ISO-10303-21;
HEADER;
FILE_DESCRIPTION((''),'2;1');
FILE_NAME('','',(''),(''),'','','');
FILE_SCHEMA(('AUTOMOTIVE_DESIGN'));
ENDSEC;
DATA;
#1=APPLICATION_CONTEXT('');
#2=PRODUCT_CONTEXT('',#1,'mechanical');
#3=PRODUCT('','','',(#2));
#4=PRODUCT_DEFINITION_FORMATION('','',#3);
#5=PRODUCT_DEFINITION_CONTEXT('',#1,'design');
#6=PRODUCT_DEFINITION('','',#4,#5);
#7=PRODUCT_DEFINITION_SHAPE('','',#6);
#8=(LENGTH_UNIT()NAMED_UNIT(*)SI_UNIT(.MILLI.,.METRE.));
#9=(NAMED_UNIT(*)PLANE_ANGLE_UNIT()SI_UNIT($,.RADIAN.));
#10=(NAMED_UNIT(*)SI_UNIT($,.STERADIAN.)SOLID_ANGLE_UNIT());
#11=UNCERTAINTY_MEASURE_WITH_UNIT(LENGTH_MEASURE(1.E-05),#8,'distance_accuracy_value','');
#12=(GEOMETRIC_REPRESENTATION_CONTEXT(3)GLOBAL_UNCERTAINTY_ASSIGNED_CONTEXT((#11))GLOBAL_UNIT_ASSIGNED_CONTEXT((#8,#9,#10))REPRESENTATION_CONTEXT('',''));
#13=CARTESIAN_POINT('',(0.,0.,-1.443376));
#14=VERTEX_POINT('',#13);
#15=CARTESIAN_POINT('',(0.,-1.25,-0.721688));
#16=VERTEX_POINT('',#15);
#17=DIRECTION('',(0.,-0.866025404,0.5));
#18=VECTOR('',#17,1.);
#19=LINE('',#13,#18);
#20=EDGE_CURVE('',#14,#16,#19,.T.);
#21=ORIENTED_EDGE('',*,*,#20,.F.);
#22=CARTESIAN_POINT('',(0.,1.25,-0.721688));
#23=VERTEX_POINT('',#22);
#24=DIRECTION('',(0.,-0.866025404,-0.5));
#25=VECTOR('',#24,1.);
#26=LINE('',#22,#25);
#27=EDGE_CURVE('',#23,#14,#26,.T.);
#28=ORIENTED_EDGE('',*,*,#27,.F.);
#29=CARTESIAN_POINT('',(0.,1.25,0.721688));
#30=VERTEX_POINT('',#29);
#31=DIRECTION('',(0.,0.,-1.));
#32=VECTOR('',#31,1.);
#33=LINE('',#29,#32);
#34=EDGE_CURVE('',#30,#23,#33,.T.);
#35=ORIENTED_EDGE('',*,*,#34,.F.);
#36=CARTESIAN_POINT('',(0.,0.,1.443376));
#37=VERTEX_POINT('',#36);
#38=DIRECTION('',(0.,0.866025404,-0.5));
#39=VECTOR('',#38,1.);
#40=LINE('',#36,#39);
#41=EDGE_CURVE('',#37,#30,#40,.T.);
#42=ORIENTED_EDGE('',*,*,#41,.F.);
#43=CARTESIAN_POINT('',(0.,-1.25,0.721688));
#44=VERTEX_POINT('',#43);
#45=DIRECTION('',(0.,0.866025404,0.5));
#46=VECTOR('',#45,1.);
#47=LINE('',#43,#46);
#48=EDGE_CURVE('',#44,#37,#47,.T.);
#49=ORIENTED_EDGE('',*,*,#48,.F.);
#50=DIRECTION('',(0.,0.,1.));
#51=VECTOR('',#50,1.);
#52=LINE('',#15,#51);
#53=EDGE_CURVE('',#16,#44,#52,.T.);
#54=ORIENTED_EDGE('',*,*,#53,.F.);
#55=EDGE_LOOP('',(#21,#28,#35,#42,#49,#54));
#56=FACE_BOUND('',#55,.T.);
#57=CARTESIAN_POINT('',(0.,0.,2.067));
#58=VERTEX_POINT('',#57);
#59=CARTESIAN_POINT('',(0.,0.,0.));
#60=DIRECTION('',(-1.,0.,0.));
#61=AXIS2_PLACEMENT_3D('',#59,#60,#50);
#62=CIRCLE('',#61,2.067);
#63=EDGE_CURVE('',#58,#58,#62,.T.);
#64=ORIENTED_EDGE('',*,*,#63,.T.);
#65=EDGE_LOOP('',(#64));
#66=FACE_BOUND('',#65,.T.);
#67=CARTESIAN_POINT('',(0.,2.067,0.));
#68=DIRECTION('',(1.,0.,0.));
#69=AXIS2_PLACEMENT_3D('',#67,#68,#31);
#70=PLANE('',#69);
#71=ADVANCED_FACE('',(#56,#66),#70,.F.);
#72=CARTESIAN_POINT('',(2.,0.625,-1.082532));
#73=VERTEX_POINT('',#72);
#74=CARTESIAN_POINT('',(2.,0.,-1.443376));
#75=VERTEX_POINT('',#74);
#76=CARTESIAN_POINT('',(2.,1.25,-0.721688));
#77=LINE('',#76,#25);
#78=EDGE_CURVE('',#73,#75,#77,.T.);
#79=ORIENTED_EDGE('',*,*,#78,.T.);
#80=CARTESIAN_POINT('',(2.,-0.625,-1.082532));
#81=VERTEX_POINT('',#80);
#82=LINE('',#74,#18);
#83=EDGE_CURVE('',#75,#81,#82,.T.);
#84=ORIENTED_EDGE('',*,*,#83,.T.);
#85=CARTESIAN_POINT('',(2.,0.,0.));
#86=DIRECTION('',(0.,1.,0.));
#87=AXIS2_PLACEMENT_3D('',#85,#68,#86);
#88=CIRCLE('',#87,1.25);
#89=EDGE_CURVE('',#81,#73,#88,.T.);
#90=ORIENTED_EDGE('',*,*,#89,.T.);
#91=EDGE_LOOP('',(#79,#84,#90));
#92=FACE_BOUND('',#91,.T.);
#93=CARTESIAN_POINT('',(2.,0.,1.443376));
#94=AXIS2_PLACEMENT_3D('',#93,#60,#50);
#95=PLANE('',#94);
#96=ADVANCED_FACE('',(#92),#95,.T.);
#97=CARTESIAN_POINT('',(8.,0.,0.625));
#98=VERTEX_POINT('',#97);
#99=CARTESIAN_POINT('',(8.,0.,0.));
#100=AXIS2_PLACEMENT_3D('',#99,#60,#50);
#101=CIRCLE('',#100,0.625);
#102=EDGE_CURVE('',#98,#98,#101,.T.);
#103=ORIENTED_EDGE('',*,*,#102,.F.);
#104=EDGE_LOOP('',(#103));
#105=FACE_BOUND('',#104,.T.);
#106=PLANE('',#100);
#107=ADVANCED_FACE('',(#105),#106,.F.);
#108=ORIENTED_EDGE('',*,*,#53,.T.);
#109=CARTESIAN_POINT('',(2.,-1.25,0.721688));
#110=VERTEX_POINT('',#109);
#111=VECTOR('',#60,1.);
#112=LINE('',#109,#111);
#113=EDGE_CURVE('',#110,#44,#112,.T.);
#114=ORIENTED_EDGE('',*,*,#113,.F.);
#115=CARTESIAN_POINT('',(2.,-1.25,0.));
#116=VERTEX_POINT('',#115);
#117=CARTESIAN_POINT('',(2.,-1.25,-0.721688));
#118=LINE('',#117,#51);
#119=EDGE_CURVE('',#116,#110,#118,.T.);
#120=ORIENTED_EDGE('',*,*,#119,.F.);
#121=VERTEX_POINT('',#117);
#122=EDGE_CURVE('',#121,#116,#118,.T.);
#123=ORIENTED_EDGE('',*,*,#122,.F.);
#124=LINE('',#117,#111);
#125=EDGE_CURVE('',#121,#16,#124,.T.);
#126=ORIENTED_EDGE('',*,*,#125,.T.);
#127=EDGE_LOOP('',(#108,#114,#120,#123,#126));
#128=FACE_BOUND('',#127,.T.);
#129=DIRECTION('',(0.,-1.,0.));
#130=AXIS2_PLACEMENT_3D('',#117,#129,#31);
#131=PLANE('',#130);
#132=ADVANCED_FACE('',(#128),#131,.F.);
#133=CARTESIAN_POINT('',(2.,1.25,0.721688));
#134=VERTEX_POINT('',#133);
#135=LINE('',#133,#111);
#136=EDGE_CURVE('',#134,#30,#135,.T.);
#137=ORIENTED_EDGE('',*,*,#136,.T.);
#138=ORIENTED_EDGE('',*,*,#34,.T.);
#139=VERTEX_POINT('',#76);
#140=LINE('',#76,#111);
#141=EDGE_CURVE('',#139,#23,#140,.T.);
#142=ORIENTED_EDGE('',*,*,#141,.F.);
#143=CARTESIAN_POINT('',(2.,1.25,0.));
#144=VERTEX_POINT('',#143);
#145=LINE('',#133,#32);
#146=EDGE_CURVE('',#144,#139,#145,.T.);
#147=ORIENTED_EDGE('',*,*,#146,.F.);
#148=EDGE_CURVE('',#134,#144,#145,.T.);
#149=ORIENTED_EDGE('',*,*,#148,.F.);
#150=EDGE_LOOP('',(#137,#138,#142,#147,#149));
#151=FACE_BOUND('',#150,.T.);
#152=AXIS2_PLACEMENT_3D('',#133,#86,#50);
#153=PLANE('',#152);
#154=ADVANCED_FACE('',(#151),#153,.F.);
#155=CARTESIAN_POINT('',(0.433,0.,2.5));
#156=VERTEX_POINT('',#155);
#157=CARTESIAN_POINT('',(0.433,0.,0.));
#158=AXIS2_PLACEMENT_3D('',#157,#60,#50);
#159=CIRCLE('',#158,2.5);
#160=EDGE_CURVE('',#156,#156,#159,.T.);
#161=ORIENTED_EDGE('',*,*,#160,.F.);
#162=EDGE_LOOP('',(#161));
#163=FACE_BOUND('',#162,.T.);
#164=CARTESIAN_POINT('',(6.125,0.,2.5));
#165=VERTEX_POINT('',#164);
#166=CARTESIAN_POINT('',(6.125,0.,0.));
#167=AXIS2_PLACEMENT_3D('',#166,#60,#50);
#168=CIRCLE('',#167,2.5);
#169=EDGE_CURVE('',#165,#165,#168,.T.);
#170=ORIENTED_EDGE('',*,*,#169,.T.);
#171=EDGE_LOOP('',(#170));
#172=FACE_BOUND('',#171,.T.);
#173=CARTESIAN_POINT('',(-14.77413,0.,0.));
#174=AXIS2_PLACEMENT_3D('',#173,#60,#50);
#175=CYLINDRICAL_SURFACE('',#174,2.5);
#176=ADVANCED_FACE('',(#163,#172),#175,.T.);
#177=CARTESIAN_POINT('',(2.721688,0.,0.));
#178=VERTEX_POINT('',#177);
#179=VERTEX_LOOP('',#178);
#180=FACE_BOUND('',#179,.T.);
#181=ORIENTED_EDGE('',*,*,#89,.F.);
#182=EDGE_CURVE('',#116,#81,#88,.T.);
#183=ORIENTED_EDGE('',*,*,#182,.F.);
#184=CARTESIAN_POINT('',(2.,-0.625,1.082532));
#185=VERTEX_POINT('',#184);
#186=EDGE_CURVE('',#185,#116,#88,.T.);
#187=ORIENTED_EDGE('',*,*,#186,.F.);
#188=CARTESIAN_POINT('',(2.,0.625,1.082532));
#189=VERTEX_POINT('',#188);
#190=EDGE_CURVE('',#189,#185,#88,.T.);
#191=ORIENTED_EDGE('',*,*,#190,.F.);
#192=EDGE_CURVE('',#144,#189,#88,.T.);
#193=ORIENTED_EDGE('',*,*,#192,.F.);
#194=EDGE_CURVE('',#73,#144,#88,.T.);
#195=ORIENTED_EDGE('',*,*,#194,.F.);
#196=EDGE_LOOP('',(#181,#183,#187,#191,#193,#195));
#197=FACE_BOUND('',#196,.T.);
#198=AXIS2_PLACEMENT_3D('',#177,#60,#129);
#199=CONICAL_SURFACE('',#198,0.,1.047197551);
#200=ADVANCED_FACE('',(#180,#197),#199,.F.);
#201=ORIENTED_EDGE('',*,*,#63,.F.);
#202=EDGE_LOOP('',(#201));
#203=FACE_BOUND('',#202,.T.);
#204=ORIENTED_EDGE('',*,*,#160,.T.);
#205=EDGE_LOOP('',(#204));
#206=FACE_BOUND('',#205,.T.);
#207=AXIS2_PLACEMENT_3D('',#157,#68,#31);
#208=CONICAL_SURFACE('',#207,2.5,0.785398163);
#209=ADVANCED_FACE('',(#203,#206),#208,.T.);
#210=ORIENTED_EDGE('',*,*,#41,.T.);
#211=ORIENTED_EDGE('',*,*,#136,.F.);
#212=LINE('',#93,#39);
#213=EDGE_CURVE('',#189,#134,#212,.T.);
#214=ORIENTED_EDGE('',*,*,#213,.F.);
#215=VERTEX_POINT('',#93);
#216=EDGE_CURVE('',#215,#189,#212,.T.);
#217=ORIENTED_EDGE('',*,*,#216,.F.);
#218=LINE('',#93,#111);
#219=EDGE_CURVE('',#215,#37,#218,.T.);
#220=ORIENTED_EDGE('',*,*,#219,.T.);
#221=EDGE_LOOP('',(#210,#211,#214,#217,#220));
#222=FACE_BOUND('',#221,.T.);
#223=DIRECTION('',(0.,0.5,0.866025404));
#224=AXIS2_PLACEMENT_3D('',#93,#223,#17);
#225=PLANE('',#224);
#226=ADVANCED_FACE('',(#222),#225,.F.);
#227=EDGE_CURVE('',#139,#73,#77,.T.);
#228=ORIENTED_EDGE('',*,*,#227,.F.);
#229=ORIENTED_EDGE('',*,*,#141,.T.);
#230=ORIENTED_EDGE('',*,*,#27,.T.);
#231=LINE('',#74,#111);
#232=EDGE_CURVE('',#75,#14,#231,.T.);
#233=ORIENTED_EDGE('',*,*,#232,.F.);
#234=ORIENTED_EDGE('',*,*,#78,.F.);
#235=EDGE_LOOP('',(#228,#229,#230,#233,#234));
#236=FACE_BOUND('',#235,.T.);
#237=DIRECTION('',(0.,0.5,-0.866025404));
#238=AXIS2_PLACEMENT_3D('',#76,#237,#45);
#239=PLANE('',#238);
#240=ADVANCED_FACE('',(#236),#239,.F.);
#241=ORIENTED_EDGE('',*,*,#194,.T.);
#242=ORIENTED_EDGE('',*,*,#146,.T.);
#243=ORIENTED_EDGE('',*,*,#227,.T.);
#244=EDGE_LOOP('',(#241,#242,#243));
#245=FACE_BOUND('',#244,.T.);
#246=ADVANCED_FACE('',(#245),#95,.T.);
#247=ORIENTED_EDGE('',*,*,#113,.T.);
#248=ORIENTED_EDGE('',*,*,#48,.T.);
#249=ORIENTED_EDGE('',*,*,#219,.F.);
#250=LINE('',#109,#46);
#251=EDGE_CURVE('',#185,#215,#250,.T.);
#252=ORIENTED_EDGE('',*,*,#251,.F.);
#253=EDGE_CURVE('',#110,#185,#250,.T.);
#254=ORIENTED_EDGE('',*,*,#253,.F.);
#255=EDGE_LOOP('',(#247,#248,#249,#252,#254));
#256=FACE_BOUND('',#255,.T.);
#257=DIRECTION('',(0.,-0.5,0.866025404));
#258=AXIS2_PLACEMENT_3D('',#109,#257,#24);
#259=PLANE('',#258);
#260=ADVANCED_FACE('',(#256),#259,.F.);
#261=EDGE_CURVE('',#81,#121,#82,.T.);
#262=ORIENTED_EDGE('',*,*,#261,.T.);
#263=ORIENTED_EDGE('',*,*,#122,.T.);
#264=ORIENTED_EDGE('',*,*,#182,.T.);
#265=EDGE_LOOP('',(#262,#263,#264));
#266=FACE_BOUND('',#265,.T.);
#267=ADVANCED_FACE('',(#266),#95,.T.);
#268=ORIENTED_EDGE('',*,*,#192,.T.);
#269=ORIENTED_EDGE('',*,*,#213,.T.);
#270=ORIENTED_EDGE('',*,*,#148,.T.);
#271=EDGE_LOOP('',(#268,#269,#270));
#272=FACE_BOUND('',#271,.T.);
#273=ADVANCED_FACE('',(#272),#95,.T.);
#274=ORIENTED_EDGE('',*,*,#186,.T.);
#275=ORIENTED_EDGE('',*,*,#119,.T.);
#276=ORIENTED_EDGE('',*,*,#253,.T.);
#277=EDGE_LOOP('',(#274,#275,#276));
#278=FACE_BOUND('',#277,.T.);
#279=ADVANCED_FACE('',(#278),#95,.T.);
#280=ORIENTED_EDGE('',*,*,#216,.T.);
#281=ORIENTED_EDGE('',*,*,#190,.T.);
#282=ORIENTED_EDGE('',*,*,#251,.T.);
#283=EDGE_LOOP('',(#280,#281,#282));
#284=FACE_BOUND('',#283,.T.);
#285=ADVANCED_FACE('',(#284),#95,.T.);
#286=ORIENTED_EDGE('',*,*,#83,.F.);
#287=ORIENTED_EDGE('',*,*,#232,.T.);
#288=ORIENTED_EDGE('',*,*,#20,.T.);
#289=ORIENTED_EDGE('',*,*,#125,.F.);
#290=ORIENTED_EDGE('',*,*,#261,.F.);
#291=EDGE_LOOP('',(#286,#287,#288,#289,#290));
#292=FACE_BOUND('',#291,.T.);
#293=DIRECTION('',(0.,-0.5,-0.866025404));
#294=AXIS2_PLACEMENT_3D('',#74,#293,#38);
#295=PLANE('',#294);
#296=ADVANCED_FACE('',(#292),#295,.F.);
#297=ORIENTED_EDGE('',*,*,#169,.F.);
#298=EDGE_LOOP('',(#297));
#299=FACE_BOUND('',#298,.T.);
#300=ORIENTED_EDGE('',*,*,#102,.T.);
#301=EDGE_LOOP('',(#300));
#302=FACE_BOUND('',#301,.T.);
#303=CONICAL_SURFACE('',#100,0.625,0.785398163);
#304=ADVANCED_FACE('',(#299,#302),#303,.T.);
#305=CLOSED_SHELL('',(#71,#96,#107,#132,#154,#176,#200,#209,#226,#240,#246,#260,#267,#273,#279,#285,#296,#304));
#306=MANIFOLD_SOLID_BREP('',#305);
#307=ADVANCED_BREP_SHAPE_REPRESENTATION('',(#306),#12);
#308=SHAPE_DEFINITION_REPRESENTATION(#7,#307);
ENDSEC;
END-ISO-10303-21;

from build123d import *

# Parameters (mm, degrees)
HEXAGONSOCKET_DEPTH = 2


with BuildPart() as part:
    # Sketch1 → Base (revolve)
    with BuildSketch(Plane.XY):
        Polygon((0, 0), (8, 0), (8, 0.625), (6.125, 2.5), (0.433, 2.5), (0, 2.067), align=None)
    revolve(axis=Axis((-14.774129749, 0, 0), (1, 0, 0)))

    # Sketch2 → HexagonSocket (cut)
    with BuildSketch(Plane(origin=(0, 0.220293087, -0.139195271), x_dir=(0, 0, 1), z_dir=(-1, 0, 0))):
        Polygon((1.582570944, -0.220293087), (0.860883108, 1.029706913), (-0.582492565, 1.029706913), (-1.304180402, -0.220293087), (-0.582492565, -1.470293087), (0.860883108, -1.470293087), align=None)
    extrude(amount=-HEXAGONSOCKET_DEPTH, mode=Mode.SUBTRACT)

    # Sketch3 → Cut-Revolve (revolve, cut)
    with BuildSketch(Plane.XY):
        Polygon((2, 1.25), (2.721687836, 0), (2, 0), align=None)
    revolve(axis=Axis((2, 0, 0), (-1, 0, 0)), mode=Mode.SUBTRACT)


solid = part.part
